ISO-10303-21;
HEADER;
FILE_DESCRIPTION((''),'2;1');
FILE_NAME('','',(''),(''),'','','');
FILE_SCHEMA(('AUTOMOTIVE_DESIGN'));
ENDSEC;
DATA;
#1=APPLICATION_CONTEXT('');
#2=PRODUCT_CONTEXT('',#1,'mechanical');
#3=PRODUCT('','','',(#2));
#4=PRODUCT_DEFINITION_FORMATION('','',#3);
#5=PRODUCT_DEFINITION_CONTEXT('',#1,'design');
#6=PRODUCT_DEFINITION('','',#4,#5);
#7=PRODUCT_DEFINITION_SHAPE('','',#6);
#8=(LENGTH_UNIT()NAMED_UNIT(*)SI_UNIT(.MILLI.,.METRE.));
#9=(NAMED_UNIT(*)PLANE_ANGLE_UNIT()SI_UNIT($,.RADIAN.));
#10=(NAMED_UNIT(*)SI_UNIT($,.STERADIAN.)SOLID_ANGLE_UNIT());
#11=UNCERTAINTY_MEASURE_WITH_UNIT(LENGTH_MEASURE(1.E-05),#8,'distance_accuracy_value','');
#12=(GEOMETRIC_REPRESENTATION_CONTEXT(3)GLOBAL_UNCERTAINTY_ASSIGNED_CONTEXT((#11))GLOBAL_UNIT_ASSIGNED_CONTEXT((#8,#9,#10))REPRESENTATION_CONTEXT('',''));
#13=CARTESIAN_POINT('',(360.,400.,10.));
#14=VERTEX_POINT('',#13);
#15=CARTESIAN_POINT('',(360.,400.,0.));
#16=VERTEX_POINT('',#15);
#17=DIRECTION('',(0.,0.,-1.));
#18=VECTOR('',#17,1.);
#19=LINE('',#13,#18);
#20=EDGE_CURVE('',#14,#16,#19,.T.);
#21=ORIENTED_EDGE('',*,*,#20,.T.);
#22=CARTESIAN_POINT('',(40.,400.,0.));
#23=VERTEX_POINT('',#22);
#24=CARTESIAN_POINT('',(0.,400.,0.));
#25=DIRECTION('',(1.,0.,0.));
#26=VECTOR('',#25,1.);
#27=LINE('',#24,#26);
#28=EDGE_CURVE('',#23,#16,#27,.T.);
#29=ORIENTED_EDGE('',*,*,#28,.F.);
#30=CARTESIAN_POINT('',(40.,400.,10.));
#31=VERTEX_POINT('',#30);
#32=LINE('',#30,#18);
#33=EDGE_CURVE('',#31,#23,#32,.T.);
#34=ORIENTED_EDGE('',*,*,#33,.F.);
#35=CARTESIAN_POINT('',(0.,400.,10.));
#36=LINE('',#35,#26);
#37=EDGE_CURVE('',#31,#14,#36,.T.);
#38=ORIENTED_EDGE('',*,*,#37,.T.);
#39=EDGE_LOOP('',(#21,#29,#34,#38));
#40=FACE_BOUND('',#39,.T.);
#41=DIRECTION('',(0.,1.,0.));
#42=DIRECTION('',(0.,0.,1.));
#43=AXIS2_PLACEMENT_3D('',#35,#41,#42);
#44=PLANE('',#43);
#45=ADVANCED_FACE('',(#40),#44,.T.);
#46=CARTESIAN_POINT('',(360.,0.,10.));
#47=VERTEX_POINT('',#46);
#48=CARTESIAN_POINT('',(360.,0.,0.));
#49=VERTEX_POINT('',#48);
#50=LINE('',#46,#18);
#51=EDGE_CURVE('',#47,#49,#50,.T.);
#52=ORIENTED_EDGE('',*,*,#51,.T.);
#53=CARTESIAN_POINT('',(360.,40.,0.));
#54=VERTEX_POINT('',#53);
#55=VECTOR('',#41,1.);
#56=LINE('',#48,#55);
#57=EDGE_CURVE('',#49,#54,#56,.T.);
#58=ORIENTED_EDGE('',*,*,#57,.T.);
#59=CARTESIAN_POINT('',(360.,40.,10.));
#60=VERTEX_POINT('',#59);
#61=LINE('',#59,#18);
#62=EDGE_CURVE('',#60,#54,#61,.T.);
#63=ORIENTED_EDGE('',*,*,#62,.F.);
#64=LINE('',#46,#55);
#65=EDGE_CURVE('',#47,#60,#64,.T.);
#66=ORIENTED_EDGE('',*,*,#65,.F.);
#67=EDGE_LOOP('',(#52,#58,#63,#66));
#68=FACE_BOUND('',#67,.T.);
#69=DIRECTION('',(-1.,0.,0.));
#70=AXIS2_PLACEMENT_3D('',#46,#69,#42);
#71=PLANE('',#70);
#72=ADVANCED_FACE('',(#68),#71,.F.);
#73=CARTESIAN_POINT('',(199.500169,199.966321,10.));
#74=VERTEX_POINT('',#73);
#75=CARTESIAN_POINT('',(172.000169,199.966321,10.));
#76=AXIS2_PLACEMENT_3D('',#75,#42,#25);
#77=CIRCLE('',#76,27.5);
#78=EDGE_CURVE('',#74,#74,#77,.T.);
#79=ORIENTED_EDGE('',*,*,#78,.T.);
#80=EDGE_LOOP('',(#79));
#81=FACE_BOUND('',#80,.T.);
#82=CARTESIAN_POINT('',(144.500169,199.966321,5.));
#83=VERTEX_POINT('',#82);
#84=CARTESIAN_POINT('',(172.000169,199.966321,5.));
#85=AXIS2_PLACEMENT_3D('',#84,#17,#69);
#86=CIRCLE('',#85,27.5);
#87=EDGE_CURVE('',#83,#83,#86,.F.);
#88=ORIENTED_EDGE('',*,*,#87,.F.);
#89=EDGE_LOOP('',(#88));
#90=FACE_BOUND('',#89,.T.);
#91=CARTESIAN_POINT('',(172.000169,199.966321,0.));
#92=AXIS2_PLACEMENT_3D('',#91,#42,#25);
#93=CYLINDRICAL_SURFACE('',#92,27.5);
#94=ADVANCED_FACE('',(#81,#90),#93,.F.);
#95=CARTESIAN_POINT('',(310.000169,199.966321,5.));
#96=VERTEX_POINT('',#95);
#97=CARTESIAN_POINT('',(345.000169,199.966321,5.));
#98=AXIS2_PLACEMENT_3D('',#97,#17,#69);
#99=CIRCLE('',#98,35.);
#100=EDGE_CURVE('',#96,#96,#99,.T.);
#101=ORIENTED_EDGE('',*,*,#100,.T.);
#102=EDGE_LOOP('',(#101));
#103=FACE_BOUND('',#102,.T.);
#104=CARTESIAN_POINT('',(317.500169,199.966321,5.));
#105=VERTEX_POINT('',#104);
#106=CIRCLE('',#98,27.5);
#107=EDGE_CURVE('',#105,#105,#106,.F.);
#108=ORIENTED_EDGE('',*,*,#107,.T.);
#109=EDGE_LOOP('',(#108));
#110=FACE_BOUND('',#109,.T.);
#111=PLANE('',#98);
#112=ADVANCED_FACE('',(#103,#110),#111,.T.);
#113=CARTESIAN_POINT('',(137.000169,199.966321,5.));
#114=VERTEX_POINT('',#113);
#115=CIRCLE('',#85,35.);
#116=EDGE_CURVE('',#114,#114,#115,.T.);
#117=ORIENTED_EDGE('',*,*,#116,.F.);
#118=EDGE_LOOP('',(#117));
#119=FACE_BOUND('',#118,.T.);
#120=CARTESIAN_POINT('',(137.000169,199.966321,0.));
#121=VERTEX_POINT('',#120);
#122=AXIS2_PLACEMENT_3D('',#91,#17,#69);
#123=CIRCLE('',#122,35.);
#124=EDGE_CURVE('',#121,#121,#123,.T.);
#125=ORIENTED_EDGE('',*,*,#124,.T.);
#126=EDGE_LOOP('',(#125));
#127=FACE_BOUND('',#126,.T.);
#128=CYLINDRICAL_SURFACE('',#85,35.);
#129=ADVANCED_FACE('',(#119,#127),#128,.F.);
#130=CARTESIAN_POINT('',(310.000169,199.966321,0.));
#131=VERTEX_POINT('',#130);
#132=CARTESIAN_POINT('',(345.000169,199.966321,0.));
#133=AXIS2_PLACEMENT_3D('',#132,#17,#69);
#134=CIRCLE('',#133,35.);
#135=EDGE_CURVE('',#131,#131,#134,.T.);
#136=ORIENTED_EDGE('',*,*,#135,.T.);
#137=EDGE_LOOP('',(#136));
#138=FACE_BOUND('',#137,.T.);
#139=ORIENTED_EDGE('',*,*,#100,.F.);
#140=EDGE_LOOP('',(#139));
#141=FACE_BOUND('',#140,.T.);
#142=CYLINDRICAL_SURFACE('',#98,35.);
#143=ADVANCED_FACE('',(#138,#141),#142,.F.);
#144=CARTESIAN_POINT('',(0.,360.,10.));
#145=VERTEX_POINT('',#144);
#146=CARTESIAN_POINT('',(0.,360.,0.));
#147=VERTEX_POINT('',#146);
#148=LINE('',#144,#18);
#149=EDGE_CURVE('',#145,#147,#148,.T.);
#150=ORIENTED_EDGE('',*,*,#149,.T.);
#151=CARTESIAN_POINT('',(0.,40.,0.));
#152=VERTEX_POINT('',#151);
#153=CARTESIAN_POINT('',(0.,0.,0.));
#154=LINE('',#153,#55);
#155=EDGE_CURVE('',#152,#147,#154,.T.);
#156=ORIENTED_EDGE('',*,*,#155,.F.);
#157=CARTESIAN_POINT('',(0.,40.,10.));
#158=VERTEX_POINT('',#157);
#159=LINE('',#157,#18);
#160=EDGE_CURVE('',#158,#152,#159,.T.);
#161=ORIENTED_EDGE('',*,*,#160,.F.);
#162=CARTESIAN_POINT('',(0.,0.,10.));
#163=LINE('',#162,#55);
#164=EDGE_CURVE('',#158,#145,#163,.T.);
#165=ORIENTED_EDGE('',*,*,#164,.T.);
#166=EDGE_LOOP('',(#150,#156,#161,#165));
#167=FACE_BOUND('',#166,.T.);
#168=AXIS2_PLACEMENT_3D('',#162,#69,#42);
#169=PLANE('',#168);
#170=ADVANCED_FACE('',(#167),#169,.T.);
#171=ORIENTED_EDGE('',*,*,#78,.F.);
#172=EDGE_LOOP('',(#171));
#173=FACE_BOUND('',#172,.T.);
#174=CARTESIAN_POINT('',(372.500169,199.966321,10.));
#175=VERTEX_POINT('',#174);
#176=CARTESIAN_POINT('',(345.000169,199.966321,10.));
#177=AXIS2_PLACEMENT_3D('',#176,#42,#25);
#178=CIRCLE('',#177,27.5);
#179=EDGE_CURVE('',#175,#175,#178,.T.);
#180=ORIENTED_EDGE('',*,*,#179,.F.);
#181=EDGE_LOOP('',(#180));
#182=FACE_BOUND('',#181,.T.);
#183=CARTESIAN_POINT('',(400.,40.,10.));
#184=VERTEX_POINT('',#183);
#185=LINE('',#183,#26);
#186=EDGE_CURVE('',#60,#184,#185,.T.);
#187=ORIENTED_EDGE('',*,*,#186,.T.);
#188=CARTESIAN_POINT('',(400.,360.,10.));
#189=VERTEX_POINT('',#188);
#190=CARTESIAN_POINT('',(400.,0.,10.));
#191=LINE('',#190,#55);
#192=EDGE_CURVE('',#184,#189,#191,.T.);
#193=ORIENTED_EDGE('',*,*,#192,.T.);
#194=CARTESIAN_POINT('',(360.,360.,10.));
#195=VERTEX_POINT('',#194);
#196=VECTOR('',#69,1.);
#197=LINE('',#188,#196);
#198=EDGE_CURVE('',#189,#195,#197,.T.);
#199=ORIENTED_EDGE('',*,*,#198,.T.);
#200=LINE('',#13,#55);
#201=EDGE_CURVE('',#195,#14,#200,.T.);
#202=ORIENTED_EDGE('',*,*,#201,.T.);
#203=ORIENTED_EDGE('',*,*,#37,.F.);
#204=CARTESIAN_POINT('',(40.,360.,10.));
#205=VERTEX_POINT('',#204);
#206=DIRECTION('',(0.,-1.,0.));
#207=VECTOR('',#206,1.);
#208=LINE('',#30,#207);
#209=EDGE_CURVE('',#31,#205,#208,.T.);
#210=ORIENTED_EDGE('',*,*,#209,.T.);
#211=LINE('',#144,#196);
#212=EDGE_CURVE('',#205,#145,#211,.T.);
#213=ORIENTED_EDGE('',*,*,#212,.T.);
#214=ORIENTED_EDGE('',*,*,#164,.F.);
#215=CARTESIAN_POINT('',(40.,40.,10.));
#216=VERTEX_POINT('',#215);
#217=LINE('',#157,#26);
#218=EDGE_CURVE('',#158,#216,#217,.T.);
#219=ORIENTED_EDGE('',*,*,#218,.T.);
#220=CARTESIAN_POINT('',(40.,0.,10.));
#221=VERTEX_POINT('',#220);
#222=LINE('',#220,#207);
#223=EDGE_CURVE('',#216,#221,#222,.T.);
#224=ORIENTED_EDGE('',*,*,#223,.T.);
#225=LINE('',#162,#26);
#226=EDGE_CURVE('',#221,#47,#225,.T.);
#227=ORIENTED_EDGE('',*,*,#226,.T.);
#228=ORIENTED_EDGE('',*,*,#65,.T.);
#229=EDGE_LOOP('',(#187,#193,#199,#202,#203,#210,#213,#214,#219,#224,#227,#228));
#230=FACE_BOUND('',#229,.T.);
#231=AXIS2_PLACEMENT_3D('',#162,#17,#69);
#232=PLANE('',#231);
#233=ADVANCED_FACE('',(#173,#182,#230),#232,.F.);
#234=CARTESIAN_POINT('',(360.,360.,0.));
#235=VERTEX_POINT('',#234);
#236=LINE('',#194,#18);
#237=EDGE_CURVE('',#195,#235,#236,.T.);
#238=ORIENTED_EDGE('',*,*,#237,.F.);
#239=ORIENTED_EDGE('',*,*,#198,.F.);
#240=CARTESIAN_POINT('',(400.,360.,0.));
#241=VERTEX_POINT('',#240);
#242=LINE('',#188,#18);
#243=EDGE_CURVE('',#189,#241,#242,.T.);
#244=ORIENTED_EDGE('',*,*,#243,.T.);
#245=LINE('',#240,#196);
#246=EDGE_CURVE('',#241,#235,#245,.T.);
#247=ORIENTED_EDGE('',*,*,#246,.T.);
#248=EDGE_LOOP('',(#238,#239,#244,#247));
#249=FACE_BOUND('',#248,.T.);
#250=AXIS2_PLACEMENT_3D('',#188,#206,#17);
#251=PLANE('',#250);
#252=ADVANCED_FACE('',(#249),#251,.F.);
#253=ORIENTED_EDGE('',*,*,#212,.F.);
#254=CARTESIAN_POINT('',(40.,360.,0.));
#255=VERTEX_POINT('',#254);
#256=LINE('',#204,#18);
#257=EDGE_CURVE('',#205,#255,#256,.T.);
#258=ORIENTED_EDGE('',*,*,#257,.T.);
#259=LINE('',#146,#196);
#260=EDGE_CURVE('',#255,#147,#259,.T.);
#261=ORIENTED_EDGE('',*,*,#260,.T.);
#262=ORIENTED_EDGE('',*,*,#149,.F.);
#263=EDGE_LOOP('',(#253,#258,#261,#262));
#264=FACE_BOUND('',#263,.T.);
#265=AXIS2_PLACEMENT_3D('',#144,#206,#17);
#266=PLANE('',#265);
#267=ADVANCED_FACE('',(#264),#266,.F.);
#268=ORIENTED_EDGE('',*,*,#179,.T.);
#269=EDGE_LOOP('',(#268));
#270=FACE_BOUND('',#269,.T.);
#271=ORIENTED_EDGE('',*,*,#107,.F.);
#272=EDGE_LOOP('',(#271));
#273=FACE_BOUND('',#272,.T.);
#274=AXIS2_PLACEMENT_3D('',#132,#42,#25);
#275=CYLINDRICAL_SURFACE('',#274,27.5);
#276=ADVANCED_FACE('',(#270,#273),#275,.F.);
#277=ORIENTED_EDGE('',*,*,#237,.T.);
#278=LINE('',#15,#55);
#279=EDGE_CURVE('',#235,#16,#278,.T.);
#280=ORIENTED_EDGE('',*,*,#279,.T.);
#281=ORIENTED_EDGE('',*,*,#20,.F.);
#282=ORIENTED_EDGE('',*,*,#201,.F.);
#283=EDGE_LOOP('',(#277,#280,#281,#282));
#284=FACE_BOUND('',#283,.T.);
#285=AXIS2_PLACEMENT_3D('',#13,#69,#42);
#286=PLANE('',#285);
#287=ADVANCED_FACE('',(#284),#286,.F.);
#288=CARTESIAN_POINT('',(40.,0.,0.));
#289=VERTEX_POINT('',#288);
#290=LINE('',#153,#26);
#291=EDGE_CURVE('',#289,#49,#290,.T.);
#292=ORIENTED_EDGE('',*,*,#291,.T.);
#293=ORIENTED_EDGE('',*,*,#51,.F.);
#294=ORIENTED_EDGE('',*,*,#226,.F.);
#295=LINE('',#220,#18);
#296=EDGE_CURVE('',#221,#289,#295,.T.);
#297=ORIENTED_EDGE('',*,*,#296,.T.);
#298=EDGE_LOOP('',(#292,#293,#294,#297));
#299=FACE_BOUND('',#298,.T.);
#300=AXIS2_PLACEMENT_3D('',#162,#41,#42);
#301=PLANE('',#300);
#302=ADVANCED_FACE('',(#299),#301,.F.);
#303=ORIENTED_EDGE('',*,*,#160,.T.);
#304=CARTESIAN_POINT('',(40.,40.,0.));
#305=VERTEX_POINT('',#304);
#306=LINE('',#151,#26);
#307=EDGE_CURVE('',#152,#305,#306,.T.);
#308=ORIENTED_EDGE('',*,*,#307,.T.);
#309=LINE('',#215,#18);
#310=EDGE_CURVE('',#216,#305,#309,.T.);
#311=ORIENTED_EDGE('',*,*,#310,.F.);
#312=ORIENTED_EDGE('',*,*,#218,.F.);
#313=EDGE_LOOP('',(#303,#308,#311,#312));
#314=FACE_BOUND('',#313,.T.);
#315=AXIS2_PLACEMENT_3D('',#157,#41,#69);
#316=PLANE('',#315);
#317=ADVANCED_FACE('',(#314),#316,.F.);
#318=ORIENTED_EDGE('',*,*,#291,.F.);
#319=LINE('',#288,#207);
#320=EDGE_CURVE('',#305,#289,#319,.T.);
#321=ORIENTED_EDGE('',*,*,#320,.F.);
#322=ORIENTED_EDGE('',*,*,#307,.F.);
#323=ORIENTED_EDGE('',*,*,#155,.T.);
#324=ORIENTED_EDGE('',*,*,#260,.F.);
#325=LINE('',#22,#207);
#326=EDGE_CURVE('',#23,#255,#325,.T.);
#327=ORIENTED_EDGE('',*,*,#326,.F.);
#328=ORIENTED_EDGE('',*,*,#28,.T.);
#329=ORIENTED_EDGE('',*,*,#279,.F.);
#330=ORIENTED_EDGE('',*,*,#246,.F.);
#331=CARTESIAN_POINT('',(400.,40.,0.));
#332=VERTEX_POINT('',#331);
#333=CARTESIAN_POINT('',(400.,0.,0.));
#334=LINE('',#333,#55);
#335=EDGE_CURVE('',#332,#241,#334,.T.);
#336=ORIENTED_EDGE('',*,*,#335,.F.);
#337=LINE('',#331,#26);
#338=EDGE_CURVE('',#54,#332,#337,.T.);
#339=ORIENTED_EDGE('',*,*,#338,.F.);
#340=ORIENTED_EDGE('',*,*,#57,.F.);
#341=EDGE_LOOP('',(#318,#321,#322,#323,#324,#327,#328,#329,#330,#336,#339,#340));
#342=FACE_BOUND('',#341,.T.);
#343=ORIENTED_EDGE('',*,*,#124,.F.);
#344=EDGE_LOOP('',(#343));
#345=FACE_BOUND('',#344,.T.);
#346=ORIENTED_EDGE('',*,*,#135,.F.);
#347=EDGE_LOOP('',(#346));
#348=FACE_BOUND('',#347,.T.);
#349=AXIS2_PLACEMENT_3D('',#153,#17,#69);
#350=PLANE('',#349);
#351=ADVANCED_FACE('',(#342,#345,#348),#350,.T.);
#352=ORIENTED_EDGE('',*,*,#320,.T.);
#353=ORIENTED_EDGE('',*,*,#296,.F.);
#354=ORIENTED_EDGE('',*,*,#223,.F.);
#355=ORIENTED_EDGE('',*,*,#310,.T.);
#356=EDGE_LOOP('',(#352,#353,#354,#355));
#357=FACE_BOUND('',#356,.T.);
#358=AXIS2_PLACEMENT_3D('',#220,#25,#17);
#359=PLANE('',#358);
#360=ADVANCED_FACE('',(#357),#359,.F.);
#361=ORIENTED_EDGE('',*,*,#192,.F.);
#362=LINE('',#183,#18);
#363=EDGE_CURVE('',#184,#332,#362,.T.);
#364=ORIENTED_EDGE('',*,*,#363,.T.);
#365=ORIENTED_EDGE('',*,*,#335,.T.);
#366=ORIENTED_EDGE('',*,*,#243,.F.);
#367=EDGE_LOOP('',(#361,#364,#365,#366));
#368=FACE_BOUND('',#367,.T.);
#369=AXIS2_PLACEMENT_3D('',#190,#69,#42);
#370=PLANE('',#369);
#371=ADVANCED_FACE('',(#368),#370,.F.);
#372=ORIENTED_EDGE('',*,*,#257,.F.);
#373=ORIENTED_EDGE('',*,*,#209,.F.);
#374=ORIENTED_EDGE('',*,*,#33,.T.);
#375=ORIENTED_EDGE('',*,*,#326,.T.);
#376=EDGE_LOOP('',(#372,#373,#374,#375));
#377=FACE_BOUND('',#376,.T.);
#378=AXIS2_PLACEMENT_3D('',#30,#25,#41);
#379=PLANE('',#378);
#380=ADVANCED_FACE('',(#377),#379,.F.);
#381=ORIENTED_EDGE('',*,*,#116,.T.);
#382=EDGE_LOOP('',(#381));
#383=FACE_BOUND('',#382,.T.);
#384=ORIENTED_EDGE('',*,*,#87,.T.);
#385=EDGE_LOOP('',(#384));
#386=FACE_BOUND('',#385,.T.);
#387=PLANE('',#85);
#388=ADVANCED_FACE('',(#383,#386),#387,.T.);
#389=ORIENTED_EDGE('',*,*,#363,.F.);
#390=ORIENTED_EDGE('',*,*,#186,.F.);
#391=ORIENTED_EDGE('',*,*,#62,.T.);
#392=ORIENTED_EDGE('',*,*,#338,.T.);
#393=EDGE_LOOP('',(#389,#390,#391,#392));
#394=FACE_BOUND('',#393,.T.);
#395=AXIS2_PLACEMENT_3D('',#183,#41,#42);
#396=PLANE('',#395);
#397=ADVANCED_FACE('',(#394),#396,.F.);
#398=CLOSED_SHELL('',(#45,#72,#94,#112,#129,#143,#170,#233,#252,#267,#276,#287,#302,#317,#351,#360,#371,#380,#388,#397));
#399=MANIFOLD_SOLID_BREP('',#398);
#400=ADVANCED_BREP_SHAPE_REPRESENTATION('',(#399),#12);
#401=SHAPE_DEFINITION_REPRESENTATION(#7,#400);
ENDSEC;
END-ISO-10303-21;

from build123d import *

# Parameters (mm, degrees)
SKETCH1_W           = 400
SKETCH1_H           = 400
BOSS_EXTRUDE1_DEPTH = 10
SKETCH4_R           = 27.5
CUT_EXTRUDE2_DEPTH  = 566.773806393
SKETCH5_R           = 35
CUT_EXTRUDE3_DEPTH  = 5
SKETCH6_W           = 40
SKETCH6_H           = 40
CUT_EXTRUDE4_DEPTH  = 566.773806393


with BuildPart() as part:
    # Sketch1 → Boss-Extrude1 (new body)
    with BuildSketch(Plane.XY):
        with Locations((200, 200)):
            Rectangle(SKETCH1_W, SKETCH1_H)
    extrude(amount=BOSS_EXTRUDE1_DEPTH)

    # Sketch4 → Cut-Extrude2 (cut, through all)
    with BuildSketch(Plane.XY.offset(10)):
        with Locations((345.000168938, 199.966321147)):
            Circle(SKETCH4_R)
        with Locations((172.000168938, 199.966321147)):
            Circle(SKETCH4_R)
    extrude(amount=-CUT_EXTRUDE2_DEPTH, mode=Mode.SUBTRACT)

    # Sketch5 → Cut-Extrude3 (cut)
    with BuildSketch(Plane(origin=(0, 0, 0), x_dir=(-1, 0, 0), z_dir=(0, 0, -1))):
        with Locations((-345.000168938, 199.966321147)):
            Circle(SKETCH5_R)
        with Locations((-172.000168938, 199.966321147)):
            Circle(SKETCH5_R)
    extrude(amount=-CUT_EXTRUDE3_DEPTH, mode=Mode.SUBTRACT)

    # Sketch6 → Cut-Extrude4 (cut, through all)
    with BuildSketch(Plane(origin=(0, 0, 0), x_dir=(-1, 0, 0), z_dir=(0, 0, -1))):
        with Locations((-380, 380)):
            Rectangle(SKETCH6_W, SKETCH6_H)
        with Locations((-380, 20)):
            Rectangle(SKETCH6_W, SKETCH6_H)
        with Locations((-20, 380)):
            Rectangle(SKETCH6_W, SKETCH6_H)
        with Locations((-20, 20)):
            Rectangle(SKETCH6_W, SKETCH6_H)
    extrude(amount=-CUT_EXTRUDE4_DEPTH, mode=Mode.SUBTRACT)


solid = part.part
